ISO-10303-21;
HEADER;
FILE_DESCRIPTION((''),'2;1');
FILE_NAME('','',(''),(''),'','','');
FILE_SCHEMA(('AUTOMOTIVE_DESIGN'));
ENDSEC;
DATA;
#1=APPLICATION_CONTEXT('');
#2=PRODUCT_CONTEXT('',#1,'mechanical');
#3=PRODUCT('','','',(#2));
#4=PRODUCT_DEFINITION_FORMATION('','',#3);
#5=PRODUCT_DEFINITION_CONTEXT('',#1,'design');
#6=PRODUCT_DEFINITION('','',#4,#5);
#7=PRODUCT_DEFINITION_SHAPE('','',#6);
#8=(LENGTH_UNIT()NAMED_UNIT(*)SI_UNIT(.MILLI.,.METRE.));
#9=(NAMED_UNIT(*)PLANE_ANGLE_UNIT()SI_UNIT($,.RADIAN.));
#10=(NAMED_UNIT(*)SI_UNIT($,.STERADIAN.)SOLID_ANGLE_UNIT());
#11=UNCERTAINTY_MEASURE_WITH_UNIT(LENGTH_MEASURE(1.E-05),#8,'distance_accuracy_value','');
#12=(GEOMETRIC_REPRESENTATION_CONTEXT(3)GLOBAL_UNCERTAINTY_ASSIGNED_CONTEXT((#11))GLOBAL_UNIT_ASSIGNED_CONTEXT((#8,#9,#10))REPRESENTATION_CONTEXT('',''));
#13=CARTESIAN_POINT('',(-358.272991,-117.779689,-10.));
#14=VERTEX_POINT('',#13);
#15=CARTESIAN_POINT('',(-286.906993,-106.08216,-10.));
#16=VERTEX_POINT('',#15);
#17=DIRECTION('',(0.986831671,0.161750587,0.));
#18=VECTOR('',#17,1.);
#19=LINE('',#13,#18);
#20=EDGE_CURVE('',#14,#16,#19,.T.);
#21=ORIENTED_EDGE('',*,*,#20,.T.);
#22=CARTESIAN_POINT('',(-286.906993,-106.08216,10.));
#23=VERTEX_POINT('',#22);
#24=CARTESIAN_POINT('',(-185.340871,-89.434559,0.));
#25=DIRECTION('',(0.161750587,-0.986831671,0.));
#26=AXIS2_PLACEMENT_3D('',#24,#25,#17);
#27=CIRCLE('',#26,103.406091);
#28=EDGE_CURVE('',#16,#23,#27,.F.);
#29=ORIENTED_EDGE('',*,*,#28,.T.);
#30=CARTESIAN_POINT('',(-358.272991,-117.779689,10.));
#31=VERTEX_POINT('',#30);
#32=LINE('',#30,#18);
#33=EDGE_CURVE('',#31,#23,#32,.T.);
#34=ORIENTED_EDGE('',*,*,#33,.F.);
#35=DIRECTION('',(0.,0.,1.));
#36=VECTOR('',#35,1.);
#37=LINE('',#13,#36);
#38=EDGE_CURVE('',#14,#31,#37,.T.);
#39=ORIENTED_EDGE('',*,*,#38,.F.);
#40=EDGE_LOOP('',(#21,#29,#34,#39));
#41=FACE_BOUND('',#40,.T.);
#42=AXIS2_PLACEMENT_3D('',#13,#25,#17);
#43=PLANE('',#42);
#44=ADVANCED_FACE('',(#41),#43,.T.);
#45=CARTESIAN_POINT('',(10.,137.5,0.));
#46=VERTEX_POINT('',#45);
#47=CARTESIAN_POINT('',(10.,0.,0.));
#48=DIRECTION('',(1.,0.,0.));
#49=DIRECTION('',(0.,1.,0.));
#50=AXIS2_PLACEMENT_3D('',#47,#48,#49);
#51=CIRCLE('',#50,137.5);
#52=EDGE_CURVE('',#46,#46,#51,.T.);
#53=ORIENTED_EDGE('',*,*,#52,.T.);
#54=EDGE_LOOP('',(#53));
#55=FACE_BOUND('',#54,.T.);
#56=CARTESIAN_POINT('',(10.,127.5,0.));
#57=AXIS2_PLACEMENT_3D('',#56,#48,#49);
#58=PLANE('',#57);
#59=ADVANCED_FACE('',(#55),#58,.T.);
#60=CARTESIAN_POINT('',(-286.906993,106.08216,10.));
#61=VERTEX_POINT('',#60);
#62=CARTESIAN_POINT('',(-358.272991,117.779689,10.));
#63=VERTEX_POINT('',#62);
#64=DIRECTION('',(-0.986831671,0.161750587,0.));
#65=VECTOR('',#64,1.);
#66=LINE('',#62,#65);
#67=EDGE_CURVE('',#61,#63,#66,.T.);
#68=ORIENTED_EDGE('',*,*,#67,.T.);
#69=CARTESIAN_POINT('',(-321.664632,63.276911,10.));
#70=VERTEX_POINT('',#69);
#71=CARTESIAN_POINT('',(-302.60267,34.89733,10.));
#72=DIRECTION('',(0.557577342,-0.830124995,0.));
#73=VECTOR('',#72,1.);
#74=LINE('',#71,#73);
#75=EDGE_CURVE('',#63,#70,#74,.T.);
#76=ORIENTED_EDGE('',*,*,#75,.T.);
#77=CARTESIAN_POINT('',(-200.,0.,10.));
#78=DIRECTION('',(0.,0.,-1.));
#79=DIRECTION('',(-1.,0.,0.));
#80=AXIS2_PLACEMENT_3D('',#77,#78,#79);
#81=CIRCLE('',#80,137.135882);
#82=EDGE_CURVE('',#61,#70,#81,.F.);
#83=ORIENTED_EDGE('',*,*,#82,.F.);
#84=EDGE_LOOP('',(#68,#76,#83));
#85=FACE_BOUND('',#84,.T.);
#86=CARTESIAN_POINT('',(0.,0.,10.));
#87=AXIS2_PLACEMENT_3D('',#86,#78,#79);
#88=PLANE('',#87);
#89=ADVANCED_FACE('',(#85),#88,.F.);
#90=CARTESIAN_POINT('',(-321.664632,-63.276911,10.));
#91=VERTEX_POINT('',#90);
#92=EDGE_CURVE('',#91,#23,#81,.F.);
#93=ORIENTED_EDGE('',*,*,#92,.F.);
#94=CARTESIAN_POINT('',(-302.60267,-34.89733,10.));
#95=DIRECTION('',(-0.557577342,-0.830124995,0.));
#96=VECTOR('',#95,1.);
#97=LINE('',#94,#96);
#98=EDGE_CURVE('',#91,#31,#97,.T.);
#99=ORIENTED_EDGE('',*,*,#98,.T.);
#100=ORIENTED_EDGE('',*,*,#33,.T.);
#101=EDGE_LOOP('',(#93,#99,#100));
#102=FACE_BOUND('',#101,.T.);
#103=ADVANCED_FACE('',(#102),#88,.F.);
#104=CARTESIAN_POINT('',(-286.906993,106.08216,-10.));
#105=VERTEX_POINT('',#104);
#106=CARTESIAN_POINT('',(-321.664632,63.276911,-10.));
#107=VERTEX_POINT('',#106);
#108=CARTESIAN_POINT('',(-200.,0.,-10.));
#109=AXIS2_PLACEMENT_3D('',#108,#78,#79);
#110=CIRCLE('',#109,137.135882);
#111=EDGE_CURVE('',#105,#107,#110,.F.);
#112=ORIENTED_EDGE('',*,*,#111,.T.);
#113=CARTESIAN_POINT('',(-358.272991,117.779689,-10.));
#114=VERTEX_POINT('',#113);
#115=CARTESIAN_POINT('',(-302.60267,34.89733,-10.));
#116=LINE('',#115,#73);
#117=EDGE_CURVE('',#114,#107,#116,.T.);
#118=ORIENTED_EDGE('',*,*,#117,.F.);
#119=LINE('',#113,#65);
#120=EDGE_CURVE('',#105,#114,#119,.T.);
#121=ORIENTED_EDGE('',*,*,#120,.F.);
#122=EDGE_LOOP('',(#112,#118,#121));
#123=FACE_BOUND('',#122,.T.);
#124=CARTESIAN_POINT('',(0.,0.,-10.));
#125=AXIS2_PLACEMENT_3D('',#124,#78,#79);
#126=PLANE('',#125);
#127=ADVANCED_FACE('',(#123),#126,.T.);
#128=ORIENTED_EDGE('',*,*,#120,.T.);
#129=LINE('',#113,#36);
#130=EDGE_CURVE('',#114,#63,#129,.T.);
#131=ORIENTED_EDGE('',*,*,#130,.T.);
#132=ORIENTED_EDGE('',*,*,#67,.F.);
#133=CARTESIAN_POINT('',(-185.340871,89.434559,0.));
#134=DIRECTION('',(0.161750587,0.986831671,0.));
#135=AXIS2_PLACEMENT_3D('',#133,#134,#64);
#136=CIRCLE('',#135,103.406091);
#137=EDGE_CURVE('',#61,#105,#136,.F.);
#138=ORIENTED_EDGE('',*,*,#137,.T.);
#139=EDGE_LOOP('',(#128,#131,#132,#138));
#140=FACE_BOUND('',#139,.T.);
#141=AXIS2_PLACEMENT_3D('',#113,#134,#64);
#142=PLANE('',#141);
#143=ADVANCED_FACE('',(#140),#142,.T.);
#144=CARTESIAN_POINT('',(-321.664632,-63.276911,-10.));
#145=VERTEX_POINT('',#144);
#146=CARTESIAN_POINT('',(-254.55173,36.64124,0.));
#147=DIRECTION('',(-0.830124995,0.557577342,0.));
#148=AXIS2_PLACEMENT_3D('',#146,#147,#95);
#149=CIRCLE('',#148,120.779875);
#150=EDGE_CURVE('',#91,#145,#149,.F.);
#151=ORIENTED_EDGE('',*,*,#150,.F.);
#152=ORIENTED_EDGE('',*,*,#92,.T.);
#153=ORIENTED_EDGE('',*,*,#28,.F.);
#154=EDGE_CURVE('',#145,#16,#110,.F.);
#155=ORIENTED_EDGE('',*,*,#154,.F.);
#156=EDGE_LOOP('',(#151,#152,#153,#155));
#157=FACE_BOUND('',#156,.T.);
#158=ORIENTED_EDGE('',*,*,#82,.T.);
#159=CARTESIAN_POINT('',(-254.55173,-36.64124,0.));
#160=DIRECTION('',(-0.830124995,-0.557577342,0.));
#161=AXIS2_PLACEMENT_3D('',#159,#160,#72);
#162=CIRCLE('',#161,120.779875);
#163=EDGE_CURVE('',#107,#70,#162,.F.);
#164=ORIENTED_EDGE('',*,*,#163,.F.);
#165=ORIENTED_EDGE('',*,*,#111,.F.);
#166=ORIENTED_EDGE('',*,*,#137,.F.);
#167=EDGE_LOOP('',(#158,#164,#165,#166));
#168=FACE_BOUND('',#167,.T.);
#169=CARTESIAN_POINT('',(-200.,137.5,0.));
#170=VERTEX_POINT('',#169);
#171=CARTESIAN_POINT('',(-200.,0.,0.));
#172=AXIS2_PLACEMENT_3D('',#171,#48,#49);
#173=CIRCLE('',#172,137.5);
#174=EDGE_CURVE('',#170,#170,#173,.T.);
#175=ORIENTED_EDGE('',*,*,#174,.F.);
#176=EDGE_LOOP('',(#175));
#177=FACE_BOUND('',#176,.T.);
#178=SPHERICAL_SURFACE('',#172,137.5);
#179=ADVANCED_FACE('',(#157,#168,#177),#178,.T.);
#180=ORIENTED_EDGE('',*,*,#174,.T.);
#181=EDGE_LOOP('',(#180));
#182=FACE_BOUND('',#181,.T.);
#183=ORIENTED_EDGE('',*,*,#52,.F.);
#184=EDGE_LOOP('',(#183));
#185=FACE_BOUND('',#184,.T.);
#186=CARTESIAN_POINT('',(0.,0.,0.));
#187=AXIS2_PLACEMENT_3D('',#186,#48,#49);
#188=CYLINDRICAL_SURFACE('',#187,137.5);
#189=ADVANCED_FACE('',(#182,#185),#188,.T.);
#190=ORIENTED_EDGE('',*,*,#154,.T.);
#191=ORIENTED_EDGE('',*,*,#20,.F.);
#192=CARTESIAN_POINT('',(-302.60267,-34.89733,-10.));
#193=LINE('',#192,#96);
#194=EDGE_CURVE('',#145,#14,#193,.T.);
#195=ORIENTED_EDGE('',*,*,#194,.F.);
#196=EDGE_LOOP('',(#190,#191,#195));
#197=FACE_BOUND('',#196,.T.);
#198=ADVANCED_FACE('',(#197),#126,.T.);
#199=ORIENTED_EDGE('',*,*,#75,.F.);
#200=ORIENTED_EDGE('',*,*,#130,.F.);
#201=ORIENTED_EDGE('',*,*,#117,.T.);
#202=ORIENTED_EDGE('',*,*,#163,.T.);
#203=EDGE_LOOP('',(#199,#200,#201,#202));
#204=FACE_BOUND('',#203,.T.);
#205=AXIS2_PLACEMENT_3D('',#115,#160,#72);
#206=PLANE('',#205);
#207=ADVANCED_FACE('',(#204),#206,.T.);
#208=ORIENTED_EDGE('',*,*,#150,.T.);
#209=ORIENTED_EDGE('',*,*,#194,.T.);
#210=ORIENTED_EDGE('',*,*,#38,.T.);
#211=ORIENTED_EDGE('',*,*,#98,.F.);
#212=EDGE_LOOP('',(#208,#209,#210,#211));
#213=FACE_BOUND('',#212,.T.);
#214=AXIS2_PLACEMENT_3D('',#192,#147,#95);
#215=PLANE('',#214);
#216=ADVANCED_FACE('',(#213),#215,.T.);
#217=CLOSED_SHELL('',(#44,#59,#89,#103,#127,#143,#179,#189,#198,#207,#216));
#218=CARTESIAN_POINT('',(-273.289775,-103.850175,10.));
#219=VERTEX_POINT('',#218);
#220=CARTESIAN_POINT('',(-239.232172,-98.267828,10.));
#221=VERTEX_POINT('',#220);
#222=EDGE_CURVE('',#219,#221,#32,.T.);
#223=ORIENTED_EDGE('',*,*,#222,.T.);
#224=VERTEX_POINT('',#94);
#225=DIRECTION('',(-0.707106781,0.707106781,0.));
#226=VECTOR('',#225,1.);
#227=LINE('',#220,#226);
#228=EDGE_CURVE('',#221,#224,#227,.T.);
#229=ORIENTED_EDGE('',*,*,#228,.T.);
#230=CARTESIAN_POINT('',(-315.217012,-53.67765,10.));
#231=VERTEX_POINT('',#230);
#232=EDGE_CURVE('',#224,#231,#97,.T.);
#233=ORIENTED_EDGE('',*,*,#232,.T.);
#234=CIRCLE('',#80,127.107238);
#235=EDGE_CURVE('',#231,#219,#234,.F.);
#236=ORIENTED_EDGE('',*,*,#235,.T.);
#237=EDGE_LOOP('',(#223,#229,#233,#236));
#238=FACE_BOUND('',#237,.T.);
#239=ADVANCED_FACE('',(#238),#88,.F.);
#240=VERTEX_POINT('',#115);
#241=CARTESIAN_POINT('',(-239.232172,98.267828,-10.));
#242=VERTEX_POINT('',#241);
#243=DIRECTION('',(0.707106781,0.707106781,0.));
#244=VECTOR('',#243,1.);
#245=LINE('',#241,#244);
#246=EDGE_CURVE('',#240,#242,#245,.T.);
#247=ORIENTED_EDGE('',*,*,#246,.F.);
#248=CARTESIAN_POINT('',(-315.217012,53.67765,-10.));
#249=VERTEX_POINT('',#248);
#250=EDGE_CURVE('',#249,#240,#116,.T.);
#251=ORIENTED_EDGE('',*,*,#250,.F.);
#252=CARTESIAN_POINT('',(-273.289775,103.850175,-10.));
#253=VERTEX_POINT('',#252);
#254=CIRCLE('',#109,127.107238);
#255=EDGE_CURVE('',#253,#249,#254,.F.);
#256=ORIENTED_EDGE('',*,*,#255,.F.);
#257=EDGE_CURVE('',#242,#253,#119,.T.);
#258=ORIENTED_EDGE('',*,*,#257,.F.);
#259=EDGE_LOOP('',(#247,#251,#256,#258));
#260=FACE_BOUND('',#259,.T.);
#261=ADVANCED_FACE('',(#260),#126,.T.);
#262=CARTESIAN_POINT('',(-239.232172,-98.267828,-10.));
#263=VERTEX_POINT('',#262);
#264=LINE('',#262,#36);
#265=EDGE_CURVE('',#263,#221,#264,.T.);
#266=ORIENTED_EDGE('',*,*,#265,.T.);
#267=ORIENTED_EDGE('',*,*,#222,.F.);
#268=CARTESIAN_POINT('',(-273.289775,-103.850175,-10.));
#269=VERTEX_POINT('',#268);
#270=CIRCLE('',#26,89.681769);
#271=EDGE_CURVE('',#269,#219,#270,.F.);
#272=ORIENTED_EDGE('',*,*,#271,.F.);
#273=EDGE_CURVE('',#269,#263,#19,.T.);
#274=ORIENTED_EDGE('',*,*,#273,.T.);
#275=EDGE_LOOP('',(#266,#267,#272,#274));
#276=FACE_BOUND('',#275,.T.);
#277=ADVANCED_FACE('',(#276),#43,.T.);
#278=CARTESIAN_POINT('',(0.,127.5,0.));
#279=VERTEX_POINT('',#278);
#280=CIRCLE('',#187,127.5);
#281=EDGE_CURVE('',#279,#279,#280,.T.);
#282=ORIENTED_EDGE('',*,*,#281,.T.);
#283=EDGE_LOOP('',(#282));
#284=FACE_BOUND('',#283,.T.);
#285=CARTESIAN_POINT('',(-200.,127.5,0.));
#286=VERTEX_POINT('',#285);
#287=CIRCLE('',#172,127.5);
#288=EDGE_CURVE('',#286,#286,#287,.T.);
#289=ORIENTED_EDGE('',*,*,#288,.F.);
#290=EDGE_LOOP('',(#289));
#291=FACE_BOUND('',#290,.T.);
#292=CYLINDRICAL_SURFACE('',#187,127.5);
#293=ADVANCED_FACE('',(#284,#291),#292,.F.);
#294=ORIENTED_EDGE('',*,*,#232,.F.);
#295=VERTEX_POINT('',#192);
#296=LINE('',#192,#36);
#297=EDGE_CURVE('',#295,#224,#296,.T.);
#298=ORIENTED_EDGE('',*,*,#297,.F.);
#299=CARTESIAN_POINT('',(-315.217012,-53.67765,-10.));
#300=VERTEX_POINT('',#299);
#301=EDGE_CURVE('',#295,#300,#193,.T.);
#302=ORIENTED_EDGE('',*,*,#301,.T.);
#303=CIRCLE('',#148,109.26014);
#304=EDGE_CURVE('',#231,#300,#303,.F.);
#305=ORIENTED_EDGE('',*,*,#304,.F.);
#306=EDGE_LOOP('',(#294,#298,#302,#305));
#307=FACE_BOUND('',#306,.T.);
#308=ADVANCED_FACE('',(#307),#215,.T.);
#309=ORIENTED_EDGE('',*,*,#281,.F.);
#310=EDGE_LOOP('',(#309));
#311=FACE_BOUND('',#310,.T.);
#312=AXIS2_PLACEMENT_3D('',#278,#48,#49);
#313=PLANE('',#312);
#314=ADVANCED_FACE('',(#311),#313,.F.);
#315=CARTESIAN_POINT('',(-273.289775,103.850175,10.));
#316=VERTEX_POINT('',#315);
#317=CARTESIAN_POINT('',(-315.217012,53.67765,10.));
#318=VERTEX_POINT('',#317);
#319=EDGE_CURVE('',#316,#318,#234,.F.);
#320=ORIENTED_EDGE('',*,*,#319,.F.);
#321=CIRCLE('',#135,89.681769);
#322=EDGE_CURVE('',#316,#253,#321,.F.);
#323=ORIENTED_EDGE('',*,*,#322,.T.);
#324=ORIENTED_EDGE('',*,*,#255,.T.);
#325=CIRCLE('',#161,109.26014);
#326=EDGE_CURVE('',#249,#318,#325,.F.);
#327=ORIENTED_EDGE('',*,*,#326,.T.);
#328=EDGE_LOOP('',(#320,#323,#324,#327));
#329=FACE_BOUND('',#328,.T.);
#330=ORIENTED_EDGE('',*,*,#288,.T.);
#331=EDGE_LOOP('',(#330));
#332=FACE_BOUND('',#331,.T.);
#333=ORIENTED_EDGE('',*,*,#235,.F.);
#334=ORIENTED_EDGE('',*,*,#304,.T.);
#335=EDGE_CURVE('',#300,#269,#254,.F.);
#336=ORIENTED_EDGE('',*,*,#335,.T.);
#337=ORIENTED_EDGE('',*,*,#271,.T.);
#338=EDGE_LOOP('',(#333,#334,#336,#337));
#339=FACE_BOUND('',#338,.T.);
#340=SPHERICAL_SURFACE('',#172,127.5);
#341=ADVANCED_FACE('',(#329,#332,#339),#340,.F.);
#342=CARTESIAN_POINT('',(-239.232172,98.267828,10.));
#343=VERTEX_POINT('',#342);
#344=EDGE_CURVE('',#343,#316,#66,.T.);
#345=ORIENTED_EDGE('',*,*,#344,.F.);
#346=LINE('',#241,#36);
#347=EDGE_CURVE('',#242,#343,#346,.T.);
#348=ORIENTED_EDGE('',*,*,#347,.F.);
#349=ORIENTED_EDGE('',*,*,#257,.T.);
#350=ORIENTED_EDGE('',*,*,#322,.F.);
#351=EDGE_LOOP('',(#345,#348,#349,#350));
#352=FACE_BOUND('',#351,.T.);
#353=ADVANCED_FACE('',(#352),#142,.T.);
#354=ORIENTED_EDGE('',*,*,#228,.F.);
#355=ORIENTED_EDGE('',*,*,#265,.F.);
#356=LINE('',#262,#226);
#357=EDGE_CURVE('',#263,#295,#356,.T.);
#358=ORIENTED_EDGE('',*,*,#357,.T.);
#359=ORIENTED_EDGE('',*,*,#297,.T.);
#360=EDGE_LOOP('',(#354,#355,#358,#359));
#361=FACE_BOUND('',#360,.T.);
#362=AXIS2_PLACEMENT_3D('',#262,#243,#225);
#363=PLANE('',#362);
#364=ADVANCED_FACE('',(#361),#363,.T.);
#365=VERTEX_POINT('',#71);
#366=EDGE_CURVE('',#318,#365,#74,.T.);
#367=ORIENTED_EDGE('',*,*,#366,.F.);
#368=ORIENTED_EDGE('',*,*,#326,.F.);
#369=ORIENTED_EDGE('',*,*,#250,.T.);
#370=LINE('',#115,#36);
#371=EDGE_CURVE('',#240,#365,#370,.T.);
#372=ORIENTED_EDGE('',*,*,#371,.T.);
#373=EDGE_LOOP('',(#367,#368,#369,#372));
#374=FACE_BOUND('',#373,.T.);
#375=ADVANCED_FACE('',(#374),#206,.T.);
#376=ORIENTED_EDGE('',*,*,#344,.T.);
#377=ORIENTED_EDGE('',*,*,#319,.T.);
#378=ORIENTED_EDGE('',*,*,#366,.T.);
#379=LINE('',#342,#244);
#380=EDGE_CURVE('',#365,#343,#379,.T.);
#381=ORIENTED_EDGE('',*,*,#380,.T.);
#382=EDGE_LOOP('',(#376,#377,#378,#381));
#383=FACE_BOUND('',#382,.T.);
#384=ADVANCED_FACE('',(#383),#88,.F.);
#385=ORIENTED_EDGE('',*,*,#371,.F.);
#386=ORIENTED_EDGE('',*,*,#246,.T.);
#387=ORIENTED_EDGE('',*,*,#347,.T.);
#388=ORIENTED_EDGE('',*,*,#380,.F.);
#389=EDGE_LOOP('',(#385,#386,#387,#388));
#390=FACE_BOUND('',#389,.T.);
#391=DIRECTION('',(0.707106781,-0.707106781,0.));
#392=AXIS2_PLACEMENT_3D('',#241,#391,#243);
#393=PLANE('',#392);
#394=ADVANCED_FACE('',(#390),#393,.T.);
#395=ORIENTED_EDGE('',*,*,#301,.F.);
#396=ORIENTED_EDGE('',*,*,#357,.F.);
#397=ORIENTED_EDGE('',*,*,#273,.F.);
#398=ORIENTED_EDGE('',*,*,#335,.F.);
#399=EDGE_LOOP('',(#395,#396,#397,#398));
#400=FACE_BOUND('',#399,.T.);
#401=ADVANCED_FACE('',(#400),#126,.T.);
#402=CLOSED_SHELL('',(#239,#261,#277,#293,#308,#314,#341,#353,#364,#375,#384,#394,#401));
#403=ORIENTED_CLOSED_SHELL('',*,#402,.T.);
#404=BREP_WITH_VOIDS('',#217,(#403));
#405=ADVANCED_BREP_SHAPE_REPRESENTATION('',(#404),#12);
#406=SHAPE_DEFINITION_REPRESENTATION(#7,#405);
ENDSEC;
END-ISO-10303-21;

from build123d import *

# Parameters (mm, degrees)
EXTRUDE_1_DEPTH      = 10
EXTRUDE_1_DEPTH_BACK = 10


with BuildPart() as part:
    # ｽｹｯﾁ2 → 回転-薄板1 (revolve)
    with BuildSketch(Plane.XY):
        with BuildLine():
            ThreePointArc((-327.5, 0), (-290.156114601, 90.156114601), (-200, 127.5))
            Line((-200, 127.5), (0, 127.5))
            Line((0, 127.5), (0, 0))
            Line((0, 0), (10, 0))
            Line((10, 0), (10, 137.5))
            Line((10, 137.5), (-200, 137.5))
            ThreePointArc((-200, 137.5), (-297.227182413, 97.227182413), (-337.5, 0))
            Line((-337.5, 0), (-327.5, 0))
        make_face()
    revolve(axis=Axis((0, 0, 0), (-1, 0, 0)))

    # ｽｹｯﾁ3 → ﾎﾞｽ - 押し出し1 (add, two sides: drawn at the far end of the back side and taken through both)
    with BuildSketch(Plane.XY.offset(-EXTRUDE_1_DEPTH_BACK)):
        Polygon((-302.60266968, 34.89733032), (-358.272990838, 117.779688618), (-239.232172231, 98.267827769), align=None)
        Polygon((-358.272990838, -117.779688618), (-239.232172231, -98.267827769), (-302.60266968, -34.89733032), align=None)
    extrude(amount=EXTRUDE_1_DEPTH + EXTRUDE_1_DEPTH_BACK)


solid = part.part
